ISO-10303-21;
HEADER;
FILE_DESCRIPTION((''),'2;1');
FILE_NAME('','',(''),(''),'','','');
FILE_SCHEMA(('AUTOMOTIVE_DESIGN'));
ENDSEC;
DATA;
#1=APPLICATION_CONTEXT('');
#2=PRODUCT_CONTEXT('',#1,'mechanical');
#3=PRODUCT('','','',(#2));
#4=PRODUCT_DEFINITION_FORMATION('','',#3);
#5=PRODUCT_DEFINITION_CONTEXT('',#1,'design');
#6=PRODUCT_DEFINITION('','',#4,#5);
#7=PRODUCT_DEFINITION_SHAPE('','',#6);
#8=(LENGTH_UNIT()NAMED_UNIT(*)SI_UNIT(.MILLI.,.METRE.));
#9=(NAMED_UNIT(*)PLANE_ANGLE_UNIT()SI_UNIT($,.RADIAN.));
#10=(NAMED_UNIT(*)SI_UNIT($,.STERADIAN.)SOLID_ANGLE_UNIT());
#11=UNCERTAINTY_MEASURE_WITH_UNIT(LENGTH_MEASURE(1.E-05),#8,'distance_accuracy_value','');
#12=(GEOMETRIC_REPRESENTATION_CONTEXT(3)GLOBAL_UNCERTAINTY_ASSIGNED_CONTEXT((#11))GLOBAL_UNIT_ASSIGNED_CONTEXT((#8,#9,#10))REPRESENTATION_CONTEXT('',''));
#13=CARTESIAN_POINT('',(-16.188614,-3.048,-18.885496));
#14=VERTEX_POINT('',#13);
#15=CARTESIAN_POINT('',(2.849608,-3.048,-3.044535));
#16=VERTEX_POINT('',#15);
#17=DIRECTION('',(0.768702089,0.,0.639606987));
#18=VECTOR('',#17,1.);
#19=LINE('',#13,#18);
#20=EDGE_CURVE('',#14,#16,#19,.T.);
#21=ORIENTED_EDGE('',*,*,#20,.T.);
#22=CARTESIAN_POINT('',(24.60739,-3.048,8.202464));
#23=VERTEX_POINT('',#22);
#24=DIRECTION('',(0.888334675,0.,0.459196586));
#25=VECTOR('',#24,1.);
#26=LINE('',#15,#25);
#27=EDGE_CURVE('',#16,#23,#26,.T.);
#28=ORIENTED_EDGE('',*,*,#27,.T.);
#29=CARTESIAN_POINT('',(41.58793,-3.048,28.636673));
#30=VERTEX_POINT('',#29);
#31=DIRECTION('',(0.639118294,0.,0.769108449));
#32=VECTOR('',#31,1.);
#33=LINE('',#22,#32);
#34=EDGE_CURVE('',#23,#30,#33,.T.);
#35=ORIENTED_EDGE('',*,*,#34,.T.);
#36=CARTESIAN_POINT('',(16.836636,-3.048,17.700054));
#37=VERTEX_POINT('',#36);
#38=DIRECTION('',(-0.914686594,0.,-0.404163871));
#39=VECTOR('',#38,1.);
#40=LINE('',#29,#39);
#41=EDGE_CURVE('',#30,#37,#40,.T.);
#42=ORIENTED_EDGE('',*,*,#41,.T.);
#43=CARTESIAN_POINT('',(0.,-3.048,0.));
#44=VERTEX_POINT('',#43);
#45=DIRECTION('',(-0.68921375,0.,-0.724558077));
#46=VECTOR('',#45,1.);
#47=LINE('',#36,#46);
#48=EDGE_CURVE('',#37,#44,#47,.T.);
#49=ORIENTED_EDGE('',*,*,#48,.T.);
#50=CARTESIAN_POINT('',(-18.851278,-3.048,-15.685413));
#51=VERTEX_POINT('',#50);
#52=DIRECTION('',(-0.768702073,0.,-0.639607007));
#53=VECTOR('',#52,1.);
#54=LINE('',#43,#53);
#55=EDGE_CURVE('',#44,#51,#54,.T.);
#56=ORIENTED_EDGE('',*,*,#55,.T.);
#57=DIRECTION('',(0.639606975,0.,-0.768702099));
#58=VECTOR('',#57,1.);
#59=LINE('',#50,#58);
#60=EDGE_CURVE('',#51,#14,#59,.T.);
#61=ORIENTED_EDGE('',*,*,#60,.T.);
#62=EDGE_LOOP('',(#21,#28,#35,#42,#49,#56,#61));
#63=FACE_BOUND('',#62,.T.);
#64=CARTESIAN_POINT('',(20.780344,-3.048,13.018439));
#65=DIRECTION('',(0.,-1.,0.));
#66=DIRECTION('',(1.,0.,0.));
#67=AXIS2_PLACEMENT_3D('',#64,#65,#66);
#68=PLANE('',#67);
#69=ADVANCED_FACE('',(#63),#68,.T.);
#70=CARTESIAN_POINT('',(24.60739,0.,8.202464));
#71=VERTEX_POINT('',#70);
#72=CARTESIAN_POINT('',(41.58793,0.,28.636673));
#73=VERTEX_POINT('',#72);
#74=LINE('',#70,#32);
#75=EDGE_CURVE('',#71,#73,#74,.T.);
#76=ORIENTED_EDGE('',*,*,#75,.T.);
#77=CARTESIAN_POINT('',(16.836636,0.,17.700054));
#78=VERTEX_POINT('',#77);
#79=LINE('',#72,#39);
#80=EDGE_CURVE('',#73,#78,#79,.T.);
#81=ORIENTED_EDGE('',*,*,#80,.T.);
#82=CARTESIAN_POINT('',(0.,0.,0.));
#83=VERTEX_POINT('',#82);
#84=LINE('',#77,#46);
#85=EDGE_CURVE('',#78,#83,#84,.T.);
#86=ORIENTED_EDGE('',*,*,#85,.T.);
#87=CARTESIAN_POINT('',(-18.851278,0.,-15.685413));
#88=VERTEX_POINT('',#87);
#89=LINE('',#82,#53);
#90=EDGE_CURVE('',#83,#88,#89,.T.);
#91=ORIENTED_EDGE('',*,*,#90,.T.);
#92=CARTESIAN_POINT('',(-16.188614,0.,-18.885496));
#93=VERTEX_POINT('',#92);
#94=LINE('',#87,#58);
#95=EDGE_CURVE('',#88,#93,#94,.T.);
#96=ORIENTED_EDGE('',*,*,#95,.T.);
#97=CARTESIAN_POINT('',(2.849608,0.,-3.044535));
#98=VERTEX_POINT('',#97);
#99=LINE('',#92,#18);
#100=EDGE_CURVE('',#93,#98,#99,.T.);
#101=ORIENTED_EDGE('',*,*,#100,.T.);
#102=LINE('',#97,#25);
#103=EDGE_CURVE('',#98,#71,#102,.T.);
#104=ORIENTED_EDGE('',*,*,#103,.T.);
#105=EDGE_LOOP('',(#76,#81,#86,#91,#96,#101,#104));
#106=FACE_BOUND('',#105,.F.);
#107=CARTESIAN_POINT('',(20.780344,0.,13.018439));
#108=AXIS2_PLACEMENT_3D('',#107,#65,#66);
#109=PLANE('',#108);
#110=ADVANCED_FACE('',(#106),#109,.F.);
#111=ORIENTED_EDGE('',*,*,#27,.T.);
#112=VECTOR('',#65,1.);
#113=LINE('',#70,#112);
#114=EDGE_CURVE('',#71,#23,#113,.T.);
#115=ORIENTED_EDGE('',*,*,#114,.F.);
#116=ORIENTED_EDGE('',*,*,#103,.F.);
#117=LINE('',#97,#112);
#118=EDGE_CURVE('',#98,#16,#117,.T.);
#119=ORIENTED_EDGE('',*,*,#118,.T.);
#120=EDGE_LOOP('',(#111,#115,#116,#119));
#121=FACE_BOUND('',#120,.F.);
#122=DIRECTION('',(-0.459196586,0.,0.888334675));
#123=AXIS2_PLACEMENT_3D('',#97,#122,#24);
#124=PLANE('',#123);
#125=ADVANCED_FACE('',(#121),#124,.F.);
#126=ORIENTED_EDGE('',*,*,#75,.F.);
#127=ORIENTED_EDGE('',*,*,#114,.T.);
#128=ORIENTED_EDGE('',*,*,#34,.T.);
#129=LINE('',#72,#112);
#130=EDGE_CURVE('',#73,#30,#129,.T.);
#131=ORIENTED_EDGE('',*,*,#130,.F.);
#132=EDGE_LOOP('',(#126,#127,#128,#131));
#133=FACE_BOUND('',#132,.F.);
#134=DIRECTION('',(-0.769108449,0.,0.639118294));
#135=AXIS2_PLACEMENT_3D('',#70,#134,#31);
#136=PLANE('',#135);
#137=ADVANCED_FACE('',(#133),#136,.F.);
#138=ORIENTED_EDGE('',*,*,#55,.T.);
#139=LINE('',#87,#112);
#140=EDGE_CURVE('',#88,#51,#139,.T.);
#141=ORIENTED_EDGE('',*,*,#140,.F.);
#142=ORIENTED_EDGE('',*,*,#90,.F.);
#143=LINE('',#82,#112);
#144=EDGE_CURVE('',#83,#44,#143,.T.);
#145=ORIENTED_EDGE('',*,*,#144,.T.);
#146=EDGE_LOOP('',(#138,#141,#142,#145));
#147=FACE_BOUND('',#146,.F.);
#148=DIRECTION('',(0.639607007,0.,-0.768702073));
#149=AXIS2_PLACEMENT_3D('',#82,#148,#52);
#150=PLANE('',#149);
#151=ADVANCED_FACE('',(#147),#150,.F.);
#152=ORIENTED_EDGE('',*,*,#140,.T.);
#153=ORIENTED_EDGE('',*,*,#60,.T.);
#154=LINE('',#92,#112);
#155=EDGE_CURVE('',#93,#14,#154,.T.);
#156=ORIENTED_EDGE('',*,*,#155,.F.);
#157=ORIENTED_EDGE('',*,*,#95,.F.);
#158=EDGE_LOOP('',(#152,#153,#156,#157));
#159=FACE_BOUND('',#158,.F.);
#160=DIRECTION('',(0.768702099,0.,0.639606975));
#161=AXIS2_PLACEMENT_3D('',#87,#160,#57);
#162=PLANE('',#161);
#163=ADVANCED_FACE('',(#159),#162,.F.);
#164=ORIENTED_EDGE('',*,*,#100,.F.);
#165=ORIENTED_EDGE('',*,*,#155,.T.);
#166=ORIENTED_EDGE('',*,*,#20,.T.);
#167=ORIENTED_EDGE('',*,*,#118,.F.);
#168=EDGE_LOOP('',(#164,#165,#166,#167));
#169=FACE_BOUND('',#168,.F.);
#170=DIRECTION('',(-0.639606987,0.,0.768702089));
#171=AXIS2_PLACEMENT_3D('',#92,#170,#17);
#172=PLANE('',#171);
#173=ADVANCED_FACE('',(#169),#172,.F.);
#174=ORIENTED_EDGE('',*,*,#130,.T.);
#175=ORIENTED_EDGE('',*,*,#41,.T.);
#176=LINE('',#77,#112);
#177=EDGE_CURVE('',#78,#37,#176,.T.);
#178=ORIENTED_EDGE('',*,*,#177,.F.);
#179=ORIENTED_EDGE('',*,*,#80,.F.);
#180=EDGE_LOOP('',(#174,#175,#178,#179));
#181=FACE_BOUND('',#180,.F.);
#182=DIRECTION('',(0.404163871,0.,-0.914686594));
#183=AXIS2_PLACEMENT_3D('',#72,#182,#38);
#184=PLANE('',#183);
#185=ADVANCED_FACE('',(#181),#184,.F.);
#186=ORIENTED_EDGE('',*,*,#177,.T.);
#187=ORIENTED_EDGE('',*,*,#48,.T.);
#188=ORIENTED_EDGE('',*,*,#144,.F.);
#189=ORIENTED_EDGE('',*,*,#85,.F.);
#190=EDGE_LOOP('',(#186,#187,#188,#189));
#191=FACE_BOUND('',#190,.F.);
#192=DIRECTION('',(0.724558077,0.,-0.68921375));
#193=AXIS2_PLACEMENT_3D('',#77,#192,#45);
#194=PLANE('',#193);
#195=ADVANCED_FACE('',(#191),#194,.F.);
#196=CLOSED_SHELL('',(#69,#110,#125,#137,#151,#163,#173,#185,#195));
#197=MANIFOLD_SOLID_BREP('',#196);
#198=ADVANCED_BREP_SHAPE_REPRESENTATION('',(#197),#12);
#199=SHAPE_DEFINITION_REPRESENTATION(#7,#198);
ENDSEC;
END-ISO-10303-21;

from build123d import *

# Parameters (mm, degrees)
F1_DEPTH = 3.048


with BuildPart() as f1:
    # F0 (on Front) → F1 (new body)
    with BuildSketch(Plane.XZ):
        Polygon((16.836636, 17.700054), (0, 0), (2.849608, -3.044535), (24.60739, 8.202464), (41.58793, 28.636673), align=None)
        Polygon((2.849608, -3.044535), (0, 0), (-18.851278, -15.685413), (-16.188614, -18.885496), align=None)
    extrude(amount=F1_DEPTH)


solid = f1.part
